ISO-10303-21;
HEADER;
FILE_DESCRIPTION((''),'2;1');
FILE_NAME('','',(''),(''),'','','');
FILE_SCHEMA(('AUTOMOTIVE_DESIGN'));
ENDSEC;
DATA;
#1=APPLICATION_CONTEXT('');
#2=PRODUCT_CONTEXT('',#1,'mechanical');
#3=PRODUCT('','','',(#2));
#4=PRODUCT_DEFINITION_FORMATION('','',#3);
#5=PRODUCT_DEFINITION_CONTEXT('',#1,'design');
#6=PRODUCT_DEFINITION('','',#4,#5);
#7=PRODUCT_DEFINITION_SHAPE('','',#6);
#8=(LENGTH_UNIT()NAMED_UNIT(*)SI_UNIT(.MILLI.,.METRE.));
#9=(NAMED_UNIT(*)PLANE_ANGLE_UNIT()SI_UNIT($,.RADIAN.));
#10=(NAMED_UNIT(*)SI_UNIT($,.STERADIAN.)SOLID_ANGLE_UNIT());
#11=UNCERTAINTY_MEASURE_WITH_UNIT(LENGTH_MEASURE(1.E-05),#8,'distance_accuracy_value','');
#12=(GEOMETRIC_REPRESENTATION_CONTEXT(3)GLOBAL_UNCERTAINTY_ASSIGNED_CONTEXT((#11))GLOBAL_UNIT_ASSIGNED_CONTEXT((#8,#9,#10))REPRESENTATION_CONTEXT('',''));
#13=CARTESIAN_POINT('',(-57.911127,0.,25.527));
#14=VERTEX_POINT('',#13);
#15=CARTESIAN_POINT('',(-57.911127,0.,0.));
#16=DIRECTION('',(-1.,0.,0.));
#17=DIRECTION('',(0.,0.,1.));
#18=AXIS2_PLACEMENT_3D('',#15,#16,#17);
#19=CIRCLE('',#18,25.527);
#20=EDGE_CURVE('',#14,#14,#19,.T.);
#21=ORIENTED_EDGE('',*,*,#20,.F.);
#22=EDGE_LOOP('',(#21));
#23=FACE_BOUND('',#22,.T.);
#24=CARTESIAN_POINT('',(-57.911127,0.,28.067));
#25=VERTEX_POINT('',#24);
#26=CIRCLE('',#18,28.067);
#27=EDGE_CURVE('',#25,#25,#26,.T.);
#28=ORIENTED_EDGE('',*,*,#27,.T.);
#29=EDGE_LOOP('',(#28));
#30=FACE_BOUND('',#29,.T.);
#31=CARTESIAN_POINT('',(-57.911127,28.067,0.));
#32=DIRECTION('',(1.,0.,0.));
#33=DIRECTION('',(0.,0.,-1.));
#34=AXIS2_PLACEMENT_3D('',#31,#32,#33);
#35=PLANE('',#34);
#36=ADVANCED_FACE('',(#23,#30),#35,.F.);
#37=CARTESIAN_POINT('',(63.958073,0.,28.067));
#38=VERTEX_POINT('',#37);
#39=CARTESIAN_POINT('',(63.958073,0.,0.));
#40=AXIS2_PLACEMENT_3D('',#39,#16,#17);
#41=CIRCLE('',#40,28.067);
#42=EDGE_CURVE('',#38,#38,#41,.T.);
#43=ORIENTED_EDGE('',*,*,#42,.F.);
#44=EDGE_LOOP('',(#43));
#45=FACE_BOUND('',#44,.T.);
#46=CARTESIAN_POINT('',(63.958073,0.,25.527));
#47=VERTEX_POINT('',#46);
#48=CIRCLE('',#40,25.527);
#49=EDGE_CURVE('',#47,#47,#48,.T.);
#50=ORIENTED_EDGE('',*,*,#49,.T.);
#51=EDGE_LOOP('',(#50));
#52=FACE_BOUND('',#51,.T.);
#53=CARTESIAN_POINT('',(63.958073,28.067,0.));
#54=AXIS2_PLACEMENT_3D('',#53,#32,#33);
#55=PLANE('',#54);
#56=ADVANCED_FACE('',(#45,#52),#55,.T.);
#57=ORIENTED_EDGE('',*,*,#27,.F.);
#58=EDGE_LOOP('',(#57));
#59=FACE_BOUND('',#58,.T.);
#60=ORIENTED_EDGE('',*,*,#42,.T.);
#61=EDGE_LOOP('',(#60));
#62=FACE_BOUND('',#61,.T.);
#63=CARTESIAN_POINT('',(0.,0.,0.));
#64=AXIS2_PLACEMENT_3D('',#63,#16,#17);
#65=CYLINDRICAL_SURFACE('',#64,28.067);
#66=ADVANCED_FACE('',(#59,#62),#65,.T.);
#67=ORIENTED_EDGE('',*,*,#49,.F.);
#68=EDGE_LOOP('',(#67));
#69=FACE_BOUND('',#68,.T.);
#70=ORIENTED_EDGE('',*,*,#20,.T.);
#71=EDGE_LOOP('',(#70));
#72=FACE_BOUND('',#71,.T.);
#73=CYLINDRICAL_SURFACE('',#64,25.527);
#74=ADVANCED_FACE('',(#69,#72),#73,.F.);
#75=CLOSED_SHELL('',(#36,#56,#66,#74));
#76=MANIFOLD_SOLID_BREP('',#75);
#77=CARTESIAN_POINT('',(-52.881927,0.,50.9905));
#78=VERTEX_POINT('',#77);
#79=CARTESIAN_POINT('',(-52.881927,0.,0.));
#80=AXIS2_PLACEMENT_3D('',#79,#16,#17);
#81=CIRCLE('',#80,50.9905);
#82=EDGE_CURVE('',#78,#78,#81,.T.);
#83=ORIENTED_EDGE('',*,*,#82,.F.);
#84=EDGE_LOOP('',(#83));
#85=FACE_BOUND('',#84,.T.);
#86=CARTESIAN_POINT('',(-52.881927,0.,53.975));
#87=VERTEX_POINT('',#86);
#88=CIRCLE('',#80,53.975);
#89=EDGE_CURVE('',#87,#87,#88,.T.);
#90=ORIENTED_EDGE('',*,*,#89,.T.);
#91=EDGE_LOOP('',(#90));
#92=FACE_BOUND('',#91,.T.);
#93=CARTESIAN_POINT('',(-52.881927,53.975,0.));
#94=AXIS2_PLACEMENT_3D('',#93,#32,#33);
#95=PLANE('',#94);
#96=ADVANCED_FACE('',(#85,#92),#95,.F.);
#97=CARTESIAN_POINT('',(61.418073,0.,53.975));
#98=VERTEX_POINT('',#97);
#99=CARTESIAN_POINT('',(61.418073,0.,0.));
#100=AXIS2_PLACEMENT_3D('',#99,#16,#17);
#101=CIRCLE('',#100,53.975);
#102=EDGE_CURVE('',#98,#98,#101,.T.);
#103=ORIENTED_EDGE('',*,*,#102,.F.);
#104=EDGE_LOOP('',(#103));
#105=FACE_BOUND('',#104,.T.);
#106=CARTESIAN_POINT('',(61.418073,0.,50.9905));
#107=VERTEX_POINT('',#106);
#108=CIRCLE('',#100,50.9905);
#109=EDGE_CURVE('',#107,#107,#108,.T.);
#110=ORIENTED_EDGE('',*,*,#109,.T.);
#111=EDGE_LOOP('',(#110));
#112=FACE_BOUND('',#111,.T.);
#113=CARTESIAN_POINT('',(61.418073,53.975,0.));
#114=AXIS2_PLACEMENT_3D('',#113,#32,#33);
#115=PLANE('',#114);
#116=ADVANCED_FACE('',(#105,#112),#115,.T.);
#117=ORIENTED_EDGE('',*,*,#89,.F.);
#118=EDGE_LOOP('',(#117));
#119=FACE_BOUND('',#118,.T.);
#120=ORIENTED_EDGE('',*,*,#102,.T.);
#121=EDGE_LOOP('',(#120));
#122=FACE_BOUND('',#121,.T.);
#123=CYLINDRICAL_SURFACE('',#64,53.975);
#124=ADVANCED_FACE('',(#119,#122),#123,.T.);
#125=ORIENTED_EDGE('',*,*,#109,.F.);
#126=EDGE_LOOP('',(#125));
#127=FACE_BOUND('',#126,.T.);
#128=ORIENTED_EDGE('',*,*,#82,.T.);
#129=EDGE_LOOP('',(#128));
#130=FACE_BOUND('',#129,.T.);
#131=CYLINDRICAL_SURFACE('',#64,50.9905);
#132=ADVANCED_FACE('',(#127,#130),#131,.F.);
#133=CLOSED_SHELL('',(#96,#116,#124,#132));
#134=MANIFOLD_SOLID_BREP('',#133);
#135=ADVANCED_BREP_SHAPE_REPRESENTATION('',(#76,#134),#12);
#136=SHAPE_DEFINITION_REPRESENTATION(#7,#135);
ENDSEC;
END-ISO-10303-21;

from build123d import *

# Parameters (mm, degrees)
SKETCH2_W   = 121.8692
SKETCH2_H   = 2.54
SKETCH2_W_2 = 114.3
SKETCH2_H_2 = 2.9845


with BuildPart() as part:
    # Sketch2 → Revolve1 (revolve)
    with BuildSketch(Plane.XY, mode=Mode.PRIVATE) as revolve1_sk:
        with Locations((3.023472735, 26.797)):
            Rectangle(SKETCH2_W, SKETCH2_H)
        with Locations((4.268072735, 52.48275)):
            Rectangle(SKETCH2_W_2, SKETCH2_H_2)
    revolve(revolve1_sk.sketch.rotate(Axis((0, 0, 0), (1, 0, 0)), 90), axis=Axis((0, 0, 0), (1, 0, 0)))


solid = part.part
